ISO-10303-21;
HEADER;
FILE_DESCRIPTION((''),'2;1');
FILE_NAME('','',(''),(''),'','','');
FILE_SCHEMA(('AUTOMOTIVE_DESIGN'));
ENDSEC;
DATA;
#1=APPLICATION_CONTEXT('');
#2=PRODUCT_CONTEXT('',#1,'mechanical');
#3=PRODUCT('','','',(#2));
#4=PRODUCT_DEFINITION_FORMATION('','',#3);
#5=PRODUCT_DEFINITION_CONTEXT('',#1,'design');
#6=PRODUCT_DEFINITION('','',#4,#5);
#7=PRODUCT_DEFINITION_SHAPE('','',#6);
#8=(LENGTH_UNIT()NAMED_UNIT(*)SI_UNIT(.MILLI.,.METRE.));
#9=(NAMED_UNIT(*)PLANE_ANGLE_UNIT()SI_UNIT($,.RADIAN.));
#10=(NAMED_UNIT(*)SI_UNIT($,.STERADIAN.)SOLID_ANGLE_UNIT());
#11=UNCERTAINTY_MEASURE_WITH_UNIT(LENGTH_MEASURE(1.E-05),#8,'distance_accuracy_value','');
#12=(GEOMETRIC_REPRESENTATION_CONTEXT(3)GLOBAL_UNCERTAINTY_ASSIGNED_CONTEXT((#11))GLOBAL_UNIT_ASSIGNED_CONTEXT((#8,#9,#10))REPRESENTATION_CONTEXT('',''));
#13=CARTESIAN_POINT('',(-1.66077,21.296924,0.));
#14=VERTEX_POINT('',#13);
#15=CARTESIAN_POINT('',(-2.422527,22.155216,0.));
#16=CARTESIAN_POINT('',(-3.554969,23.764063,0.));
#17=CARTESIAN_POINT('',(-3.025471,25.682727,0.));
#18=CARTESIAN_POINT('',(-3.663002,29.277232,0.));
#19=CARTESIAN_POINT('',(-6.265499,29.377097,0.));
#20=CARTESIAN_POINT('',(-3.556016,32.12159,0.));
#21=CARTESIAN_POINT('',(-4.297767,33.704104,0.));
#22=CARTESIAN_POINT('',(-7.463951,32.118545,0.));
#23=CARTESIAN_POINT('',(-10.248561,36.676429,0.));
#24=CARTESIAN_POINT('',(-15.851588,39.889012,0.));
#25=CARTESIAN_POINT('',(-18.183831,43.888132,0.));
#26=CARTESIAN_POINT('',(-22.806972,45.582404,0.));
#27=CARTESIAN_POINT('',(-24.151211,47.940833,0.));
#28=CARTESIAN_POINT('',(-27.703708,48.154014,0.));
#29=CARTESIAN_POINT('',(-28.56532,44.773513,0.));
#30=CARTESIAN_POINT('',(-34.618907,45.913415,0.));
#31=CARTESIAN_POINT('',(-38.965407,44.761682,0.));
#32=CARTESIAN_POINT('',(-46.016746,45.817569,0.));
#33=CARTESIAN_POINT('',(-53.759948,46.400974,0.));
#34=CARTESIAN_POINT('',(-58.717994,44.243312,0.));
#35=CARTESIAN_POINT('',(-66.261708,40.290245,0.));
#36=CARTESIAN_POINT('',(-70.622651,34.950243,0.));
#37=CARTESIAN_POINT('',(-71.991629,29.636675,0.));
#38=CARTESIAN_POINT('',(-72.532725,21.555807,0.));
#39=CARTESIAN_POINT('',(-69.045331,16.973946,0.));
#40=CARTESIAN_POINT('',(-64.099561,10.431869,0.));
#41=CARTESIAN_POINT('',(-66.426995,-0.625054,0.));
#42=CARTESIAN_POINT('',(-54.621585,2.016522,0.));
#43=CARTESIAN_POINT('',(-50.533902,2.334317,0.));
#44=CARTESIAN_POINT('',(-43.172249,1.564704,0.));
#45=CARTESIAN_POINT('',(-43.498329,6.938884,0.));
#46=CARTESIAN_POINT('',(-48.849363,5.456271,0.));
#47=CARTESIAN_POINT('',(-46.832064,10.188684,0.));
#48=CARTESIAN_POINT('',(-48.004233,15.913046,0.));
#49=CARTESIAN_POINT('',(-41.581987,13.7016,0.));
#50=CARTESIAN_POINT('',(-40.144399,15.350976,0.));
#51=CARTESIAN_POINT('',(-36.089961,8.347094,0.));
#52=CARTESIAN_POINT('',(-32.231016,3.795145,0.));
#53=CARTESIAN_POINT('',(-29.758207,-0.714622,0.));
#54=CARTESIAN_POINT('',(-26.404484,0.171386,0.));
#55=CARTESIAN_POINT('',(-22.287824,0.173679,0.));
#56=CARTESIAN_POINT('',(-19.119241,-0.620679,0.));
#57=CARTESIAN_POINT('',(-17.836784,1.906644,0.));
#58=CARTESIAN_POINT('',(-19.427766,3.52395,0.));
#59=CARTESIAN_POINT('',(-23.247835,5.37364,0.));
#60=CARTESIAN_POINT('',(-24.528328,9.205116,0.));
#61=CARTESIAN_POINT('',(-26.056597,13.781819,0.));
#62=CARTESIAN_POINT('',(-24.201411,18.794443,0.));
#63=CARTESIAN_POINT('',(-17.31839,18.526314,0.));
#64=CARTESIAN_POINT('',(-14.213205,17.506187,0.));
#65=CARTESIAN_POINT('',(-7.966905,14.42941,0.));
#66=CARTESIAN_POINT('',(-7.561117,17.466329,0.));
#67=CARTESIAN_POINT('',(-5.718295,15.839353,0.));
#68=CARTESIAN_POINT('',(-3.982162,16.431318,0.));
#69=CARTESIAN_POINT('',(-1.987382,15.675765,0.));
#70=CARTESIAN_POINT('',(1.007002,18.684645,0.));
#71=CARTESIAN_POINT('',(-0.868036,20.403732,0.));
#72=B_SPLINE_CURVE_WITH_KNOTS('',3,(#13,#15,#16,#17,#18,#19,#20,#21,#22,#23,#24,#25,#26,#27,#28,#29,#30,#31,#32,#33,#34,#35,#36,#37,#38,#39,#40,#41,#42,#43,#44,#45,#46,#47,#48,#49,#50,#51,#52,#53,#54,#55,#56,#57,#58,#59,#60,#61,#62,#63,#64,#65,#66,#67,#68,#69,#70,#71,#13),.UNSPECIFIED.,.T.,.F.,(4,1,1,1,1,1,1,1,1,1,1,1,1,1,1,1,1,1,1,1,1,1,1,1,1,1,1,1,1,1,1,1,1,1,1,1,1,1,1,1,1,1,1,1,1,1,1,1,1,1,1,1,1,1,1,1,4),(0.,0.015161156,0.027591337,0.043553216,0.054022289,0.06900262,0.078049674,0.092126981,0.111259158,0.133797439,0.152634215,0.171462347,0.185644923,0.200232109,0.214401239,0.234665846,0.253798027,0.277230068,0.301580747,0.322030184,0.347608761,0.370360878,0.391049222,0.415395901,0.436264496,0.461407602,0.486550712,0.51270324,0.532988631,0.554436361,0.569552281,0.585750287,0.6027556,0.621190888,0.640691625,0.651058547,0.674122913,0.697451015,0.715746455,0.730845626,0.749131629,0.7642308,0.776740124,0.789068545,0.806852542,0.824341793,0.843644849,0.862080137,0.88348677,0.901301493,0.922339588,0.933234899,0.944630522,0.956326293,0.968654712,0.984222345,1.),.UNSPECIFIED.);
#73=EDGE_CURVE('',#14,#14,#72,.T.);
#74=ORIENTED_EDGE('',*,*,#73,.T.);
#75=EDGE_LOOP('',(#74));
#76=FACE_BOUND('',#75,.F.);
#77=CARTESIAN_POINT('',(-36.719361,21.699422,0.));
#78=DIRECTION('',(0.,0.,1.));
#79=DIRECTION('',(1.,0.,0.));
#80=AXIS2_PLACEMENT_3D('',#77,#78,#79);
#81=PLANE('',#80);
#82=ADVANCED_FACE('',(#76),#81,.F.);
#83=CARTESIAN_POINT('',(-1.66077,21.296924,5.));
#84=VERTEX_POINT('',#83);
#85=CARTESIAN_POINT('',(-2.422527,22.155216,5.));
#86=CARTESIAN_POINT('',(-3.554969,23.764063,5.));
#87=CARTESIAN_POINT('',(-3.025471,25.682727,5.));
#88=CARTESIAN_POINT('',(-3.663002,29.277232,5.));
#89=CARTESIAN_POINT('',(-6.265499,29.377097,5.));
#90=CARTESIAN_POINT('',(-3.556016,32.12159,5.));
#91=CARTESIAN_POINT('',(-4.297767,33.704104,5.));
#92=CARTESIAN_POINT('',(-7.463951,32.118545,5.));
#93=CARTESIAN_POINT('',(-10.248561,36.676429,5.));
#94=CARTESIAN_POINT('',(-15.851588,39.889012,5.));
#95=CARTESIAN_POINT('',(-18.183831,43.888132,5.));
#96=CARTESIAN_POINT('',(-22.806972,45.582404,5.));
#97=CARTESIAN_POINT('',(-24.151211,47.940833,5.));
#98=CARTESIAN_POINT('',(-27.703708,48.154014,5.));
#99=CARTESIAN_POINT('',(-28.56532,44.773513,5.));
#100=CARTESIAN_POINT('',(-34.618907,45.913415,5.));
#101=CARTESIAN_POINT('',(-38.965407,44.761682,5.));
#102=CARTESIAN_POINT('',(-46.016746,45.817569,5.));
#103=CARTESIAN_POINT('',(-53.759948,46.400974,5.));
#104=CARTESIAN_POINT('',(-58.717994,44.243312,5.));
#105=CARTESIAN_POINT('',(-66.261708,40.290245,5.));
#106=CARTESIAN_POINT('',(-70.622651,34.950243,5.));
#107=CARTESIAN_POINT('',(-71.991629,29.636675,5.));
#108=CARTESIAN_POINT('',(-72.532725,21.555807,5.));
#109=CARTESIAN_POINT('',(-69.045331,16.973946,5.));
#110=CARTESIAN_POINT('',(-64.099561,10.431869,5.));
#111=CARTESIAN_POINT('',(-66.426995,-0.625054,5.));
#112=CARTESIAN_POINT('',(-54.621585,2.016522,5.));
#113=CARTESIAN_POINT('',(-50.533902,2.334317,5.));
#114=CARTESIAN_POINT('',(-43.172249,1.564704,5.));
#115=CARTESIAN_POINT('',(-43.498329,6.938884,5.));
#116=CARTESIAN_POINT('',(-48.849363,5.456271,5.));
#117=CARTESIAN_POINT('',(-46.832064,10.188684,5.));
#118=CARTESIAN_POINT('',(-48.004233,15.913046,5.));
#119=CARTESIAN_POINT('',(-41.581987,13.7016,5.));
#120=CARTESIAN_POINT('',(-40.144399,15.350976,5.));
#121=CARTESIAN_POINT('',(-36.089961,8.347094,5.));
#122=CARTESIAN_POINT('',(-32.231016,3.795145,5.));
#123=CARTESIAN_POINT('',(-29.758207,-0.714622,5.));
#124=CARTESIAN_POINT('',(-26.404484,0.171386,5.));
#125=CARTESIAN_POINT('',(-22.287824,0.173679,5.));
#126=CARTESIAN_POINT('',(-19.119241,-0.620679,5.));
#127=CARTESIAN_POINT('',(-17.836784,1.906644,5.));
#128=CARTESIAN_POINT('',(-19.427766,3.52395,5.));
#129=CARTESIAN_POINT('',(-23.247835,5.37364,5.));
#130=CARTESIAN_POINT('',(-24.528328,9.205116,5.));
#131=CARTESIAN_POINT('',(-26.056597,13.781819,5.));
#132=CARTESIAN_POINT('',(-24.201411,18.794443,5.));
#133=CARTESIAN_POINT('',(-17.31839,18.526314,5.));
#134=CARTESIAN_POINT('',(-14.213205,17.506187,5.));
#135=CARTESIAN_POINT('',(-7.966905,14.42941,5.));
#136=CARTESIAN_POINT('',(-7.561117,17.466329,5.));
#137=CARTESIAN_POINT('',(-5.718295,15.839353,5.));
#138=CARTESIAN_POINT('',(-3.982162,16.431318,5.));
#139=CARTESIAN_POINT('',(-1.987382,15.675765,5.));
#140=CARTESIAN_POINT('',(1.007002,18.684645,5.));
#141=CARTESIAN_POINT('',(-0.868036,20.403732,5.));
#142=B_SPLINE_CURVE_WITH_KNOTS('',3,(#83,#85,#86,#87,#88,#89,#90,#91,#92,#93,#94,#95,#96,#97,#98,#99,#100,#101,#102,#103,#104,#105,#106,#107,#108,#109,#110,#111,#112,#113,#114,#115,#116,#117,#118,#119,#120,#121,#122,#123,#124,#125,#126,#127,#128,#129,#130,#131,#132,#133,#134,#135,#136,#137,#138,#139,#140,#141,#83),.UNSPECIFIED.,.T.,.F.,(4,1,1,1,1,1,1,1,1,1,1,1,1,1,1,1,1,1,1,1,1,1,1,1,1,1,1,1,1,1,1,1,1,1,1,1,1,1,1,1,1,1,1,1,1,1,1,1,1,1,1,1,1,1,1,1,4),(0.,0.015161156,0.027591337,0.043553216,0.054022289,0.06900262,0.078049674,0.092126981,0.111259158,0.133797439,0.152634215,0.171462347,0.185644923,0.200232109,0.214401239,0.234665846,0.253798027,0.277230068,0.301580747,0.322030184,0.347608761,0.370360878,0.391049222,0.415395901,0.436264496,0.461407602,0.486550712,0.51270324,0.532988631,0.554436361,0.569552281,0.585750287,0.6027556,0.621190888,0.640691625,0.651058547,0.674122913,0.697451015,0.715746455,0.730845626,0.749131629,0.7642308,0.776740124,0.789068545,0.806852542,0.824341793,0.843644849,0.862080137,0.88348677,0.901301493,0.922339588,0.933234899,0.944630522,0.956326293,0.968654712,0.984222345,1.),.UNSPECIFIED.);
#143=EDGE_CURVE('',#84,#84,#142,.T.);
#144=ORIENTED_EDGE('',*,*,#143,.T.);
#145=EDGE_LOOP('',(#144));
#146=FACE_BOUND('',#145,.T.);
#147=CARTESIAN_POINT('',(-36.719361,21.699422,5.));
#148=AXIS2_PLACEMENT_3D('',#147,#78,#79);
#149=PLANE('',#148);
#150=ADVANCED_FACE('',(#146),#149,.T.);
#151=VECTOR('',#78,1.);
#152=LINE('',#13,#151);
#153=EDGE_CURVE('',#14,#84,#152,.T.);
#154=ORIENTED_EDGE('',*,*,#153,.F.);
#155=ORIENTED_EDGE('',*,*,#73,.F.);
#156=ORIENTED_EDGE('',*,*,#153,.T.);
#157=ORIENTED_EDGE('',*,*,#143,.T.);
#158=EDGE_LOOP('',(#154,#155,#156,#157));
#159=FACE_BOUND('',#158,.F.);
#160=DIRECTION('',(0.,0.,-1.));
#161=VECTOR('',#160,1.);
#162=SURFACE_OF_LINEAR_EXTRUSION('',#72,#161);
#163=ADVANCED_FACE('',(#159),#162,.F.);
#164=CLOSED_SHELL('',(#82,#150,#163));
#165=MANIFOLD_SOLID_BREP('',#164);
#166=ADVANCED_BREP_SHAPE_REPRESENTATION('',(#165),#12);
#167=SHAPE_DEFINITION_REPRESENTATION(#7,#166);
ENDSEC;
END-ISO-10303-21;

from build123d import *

# Parameters (mm, degrees)
F1_DEPTH = 5


with BuildPart() as f1:
    # F0 (on Top) → F1 (new body)
    with BuildSketch(Plane.XY):
        with BuildLine():
            add(Edge.make_bspline(
                [(-1.6607695725, 21.2969239801), (-2.4225272803, 22.1552156432), (-3.5549692431, 23.7640625162), (-3.0254708668, 25.6827274701), (-3.6630019161, 29.2772317764), (-6.265498533, 29.3770970971), (-3.5560158513, 32.1215901857), (-4.2977666877, 33.7041042999), (-7.4639512591, 32.11854526), (-10.2485610027, 36.6764293952), (-15.8515875069, 39.8890123135), (-18.1838305316, 43.8881321834), (-22.8069723578, 45.582403995), (-24.1512108843, 47.9408328918), (-27.7037084018, 48.1540143876), (-28.565319625, 44.7735128455), (-34.6189070794, 45.9134148256), (-38.9654067366, 44.7616824125), (-46.0167455003, 45.8175689357), (-53.7599476116, 46.4009738676), (-58.7179944433, 44.2433117763), (-66.2617076477, 40.2902453607), (-70.6226506905, 34.9502432479), (-71.9916289207, 29.6366749471), (-72.5327249476, 21.5558074176), (-69.0453314718, 16.973945666), (-64.0995613236, 10.4318685354), (-66.4269950686, -0.6250539683), (-54.6215853963, 2.0165219618), (-50.5339018763, 2.3343165463), (-43.1722489214, 1.5647044471), (-43.498328926, 6.9388839012), (-48.8493630187, 5.4562705306), (-46.8320643383, 10.1886841743), (-48.0042334408, 15.9130462019), (-41.5819867914, 13.7016004626), (-40.1443987116, 15.3509764618), (-36.0899605129, 8.3470943066), (-32.2310163734, 3.7951447944), (-29.7582065508, -0.7146219541), (-26.404484275, 0.1713864872), (-22.2878241065, 0.1736792596), (-19.1192410435, -0.6206789682), (-17.8367843331, 1.9066442523), (-19.4277662456, 3.5239495251), (-23.247835416, 5.3736402304), (-24.5283278002, 9.2051156993), (-26.0565974788, 13.7818185336), (-24.2014111523, 18.7944433285), (-17.3183900825, 18.5263142606), (-14.2132049312, 17.5061865866), (-7.9669045432, 14.429409624), (-7.5611167349, 17.4663292887), (-5.71829535, 15.839352899), (-3.9821622561, 16.4313184717), (-1.9873819196, 15.6757654043), (1.007001578, 18.6846452711), (-0.8680364669, 20.4037315534), (-1.6607695725, 21.2969239801)],
                knots=[0, 0, 0, 0, 0.0151611556, 0.0275913365, 0.0435532157, 0.0540222889, 0.0690026204, 0.0780496742, 0.0921269807, 0.1112591579, 0.1337974392, 0.152634215, 0.1714623465, 0.1856449227, 0.2002321093, 0.2144012393, 0.2346658463, 0.2537980273, 0.2772300675, 0.3015807468, 0.3220301845, 0.3476087614, 0.3703608782, 0.391049222, 0.4153959006, 0.4362644959, 0.4614076021, 0.4865507115, 0.5127032399, 0.5329886312, 0.5544363615, 0.5695522807, 0.5857502873, 0.6027556004, 0.6211908876, 0.6406916246, 0.6510585474, 0.674122913, 0.6974510154, 0.7157464552, 0.7308456262, 0.7491316289, 0.7642307999, 0.7767401241, 0.7890685454, 0.8068525424, 0.8243417932, 0.8436448495, 0.8620801366, 0.8834867701, 0.9013014933, 0.9223395877, 0.9332348993, 0.9446305221, 0.9563262927, 0.9686547121, 0.9842223454, 1, 1, 1, 1], degree=3))
        make_face()
    extrude(amount=F1_DEPTH)


solid = f1.part
